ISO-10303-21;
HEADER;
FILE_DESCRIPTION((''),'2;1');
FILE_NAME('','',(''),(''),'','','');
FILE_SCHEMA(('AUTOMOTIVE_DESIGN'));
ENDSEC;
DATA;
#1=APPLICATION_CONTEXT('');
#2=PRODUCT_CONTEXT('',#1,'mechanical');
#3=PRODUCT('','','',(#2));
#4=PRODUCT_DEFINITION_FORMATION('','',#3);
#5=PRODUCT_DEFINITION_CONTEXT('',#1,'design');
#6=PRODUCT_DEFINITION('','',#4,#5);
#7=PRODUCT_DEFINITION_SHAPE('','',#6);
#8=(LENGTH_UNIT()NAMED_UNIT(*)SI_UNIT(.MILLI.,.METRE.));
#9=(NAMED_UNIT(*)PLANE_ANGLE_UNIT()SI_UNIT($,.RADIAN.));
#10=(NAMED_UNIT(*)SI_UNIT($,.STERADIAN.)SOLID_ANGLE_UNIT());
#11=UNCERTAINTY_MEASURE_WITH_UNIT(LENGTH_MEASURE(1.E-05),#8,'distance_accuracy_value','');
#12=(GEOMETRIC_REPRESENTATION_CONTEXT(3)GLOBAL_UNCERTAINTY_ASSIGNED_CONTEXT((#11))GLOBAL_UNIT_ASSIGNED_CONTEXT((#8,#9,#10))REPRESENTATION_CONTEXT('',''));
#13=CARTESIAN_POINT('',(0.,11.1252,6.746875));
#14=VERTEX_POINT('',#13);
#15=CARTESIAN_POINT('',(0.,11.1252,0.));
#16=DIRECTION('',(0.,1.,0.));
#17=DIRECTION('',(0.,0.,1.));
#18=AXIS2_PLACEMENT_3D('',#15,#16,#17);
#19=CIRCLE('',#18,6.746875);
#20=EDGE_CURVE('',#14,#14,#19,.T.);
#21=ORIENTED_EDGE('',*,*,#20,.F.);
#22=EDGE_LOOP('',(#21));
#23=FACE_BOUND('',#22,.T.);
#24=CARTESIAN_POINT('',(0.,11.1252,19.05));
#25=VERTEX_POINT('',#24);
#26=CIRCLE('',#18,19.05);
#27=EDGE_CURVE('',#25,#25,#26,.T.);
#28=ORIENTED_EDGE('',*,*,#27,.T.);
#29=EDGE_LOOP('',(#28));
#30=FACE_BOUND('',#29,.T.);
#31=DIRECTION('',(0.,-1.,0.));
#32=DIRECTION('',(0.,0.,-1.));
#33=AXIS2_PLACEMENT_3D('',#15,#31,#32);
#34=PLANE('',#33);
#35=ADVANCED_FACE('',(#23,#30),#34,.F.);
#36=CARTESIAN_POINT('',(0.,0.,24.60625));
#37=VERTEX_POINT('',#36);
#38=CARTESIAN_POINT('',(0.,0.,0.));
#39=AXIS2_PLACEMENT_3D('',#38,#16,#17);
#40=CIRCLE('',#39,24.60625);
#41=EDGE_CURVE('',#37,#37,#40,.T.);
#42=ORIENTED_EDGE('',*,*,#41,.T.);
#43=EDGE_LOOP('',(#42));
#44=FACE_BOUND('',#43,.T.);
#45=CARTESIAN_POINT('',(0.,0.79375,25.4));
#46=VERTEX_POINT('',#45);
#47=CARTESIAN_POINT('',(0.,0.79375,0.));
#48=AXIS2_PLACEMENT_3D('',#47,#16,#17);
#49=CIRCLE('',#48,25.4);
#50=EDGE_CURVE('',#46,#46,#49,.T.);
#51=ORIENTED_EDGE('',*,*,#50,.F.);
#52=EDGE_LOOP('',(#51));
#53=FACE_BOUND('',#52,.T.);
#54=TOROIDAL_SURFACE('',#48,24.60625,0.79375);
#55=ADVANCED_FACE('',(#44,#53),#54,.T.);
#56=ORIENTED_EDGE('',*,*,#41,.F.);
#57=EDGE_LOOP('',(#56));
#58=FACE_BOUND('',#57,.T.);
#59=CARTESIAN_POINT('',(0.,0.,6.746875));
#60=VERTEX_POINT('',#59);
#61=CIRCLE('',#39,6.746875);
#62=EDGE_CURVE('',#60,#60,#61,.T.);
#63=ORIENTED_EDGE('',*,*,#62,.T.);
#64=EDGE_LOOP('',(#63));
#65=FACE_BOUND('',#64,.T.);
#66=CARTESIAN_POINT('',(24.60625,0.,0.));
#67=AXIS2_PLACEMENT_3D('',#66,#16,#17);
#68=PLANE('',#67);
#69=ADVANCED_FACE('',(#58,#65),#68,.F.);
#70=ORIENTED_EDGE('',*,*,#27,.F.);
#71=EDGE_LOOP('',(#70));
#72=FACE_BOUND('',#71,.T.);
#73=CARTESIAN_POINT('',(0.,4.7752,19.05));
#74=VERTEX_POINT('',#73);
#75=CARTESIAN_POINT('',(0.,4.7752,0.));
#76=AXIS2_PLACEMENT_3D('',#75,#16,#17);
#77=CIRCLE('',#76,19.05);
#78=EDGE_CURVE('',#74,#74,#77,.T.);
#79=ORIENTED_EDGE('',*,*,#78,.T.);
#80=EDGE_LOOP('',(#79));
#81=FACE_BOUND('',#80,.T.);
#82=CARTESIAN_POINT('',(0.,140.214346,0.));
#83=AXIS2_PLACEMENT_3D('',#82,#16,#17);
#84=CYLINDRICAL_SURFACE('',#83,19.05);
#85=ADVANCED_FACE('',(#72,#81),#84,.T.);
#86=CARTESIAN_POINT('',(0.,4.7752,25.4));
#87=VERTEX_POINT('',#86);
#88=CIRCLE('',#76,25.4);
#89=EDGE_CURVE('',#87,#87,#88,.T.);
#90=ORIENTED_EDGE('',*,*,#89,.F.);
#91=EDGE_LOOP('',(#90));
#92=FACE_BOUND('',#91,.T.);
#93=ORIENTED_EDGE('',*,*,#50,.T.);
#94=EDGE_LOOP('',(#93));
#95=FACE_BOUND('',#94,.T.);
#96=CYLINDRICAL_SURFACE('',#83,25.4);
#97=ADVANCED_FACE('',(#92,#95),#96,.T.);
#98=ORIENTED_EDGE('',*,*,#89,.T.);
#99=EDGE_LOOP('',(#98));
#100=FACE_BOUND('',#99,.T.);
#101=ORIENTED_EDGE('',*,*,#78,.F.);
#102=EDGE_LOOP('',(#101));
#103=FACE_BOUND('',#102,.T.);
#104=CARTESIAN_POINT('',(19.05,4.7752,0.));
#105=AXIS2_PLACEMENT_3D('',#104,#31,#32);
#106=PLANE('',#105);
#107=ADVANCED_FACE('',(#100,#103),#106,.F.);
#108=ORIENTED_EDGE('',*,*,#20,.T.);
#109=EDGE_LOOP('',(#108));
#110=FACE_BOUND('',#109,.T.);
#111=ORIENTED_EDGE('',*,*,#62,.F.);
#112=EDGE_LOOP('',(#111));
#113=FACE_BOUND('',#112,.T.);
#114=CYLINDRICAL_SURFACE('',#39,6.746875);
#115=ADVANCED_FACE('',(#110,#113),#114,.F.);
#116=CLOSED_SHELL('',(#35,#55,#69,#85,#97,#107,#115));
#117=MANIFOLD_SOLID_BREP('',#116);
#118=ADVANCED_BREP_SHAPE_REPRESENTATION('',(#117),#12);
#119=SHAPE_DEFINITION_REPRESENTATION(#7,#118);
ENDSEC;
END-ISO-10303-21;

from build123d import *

# Parameters (mm, degrees)
SKETCH2_R          = 6.746875
CUT_EXTRUDE1_DEPTH = 12.1252


with BuildPart() as part:
    # Sketch1 → Revolve1 (revolve)
    with BuildSketch(Plane.XY):
        with BuildLine():
            Line((0, 0), (0, 11.1252))
            Line((0, 11.1252), (19.05, 11.1252))
            Line((19.05, 11.1252), (19.05, 4.7752))
            Line((19.05, 4.7752), (25.4, 4.7752))
            Line((25.4, 4.7752), (25.4, 0.79375))
            ThreePointArc((25.4, 0.79375), (25.167516008, 0.232483992), (24.60625, 0))
            Line((24.60625, 0), (0, 0))
        make_face()
    revolve(axis=Axis((0, 140.214345547, 0), (0, -1, 0)))

    # Sketch2 → Cut-Extrude1 (cut, through all)
    with BuildSketch(Plane(origin=(0, 11.1252, 0), x_dir=(1, 0, 0), z_dir=(0, 1, 0))):
        Circle(SKETCH2_R)
    extrude(amount=-CUT_EXTRUDE1_DEPTH, mode=Mode.SUBTRACT)


solid = part.part
